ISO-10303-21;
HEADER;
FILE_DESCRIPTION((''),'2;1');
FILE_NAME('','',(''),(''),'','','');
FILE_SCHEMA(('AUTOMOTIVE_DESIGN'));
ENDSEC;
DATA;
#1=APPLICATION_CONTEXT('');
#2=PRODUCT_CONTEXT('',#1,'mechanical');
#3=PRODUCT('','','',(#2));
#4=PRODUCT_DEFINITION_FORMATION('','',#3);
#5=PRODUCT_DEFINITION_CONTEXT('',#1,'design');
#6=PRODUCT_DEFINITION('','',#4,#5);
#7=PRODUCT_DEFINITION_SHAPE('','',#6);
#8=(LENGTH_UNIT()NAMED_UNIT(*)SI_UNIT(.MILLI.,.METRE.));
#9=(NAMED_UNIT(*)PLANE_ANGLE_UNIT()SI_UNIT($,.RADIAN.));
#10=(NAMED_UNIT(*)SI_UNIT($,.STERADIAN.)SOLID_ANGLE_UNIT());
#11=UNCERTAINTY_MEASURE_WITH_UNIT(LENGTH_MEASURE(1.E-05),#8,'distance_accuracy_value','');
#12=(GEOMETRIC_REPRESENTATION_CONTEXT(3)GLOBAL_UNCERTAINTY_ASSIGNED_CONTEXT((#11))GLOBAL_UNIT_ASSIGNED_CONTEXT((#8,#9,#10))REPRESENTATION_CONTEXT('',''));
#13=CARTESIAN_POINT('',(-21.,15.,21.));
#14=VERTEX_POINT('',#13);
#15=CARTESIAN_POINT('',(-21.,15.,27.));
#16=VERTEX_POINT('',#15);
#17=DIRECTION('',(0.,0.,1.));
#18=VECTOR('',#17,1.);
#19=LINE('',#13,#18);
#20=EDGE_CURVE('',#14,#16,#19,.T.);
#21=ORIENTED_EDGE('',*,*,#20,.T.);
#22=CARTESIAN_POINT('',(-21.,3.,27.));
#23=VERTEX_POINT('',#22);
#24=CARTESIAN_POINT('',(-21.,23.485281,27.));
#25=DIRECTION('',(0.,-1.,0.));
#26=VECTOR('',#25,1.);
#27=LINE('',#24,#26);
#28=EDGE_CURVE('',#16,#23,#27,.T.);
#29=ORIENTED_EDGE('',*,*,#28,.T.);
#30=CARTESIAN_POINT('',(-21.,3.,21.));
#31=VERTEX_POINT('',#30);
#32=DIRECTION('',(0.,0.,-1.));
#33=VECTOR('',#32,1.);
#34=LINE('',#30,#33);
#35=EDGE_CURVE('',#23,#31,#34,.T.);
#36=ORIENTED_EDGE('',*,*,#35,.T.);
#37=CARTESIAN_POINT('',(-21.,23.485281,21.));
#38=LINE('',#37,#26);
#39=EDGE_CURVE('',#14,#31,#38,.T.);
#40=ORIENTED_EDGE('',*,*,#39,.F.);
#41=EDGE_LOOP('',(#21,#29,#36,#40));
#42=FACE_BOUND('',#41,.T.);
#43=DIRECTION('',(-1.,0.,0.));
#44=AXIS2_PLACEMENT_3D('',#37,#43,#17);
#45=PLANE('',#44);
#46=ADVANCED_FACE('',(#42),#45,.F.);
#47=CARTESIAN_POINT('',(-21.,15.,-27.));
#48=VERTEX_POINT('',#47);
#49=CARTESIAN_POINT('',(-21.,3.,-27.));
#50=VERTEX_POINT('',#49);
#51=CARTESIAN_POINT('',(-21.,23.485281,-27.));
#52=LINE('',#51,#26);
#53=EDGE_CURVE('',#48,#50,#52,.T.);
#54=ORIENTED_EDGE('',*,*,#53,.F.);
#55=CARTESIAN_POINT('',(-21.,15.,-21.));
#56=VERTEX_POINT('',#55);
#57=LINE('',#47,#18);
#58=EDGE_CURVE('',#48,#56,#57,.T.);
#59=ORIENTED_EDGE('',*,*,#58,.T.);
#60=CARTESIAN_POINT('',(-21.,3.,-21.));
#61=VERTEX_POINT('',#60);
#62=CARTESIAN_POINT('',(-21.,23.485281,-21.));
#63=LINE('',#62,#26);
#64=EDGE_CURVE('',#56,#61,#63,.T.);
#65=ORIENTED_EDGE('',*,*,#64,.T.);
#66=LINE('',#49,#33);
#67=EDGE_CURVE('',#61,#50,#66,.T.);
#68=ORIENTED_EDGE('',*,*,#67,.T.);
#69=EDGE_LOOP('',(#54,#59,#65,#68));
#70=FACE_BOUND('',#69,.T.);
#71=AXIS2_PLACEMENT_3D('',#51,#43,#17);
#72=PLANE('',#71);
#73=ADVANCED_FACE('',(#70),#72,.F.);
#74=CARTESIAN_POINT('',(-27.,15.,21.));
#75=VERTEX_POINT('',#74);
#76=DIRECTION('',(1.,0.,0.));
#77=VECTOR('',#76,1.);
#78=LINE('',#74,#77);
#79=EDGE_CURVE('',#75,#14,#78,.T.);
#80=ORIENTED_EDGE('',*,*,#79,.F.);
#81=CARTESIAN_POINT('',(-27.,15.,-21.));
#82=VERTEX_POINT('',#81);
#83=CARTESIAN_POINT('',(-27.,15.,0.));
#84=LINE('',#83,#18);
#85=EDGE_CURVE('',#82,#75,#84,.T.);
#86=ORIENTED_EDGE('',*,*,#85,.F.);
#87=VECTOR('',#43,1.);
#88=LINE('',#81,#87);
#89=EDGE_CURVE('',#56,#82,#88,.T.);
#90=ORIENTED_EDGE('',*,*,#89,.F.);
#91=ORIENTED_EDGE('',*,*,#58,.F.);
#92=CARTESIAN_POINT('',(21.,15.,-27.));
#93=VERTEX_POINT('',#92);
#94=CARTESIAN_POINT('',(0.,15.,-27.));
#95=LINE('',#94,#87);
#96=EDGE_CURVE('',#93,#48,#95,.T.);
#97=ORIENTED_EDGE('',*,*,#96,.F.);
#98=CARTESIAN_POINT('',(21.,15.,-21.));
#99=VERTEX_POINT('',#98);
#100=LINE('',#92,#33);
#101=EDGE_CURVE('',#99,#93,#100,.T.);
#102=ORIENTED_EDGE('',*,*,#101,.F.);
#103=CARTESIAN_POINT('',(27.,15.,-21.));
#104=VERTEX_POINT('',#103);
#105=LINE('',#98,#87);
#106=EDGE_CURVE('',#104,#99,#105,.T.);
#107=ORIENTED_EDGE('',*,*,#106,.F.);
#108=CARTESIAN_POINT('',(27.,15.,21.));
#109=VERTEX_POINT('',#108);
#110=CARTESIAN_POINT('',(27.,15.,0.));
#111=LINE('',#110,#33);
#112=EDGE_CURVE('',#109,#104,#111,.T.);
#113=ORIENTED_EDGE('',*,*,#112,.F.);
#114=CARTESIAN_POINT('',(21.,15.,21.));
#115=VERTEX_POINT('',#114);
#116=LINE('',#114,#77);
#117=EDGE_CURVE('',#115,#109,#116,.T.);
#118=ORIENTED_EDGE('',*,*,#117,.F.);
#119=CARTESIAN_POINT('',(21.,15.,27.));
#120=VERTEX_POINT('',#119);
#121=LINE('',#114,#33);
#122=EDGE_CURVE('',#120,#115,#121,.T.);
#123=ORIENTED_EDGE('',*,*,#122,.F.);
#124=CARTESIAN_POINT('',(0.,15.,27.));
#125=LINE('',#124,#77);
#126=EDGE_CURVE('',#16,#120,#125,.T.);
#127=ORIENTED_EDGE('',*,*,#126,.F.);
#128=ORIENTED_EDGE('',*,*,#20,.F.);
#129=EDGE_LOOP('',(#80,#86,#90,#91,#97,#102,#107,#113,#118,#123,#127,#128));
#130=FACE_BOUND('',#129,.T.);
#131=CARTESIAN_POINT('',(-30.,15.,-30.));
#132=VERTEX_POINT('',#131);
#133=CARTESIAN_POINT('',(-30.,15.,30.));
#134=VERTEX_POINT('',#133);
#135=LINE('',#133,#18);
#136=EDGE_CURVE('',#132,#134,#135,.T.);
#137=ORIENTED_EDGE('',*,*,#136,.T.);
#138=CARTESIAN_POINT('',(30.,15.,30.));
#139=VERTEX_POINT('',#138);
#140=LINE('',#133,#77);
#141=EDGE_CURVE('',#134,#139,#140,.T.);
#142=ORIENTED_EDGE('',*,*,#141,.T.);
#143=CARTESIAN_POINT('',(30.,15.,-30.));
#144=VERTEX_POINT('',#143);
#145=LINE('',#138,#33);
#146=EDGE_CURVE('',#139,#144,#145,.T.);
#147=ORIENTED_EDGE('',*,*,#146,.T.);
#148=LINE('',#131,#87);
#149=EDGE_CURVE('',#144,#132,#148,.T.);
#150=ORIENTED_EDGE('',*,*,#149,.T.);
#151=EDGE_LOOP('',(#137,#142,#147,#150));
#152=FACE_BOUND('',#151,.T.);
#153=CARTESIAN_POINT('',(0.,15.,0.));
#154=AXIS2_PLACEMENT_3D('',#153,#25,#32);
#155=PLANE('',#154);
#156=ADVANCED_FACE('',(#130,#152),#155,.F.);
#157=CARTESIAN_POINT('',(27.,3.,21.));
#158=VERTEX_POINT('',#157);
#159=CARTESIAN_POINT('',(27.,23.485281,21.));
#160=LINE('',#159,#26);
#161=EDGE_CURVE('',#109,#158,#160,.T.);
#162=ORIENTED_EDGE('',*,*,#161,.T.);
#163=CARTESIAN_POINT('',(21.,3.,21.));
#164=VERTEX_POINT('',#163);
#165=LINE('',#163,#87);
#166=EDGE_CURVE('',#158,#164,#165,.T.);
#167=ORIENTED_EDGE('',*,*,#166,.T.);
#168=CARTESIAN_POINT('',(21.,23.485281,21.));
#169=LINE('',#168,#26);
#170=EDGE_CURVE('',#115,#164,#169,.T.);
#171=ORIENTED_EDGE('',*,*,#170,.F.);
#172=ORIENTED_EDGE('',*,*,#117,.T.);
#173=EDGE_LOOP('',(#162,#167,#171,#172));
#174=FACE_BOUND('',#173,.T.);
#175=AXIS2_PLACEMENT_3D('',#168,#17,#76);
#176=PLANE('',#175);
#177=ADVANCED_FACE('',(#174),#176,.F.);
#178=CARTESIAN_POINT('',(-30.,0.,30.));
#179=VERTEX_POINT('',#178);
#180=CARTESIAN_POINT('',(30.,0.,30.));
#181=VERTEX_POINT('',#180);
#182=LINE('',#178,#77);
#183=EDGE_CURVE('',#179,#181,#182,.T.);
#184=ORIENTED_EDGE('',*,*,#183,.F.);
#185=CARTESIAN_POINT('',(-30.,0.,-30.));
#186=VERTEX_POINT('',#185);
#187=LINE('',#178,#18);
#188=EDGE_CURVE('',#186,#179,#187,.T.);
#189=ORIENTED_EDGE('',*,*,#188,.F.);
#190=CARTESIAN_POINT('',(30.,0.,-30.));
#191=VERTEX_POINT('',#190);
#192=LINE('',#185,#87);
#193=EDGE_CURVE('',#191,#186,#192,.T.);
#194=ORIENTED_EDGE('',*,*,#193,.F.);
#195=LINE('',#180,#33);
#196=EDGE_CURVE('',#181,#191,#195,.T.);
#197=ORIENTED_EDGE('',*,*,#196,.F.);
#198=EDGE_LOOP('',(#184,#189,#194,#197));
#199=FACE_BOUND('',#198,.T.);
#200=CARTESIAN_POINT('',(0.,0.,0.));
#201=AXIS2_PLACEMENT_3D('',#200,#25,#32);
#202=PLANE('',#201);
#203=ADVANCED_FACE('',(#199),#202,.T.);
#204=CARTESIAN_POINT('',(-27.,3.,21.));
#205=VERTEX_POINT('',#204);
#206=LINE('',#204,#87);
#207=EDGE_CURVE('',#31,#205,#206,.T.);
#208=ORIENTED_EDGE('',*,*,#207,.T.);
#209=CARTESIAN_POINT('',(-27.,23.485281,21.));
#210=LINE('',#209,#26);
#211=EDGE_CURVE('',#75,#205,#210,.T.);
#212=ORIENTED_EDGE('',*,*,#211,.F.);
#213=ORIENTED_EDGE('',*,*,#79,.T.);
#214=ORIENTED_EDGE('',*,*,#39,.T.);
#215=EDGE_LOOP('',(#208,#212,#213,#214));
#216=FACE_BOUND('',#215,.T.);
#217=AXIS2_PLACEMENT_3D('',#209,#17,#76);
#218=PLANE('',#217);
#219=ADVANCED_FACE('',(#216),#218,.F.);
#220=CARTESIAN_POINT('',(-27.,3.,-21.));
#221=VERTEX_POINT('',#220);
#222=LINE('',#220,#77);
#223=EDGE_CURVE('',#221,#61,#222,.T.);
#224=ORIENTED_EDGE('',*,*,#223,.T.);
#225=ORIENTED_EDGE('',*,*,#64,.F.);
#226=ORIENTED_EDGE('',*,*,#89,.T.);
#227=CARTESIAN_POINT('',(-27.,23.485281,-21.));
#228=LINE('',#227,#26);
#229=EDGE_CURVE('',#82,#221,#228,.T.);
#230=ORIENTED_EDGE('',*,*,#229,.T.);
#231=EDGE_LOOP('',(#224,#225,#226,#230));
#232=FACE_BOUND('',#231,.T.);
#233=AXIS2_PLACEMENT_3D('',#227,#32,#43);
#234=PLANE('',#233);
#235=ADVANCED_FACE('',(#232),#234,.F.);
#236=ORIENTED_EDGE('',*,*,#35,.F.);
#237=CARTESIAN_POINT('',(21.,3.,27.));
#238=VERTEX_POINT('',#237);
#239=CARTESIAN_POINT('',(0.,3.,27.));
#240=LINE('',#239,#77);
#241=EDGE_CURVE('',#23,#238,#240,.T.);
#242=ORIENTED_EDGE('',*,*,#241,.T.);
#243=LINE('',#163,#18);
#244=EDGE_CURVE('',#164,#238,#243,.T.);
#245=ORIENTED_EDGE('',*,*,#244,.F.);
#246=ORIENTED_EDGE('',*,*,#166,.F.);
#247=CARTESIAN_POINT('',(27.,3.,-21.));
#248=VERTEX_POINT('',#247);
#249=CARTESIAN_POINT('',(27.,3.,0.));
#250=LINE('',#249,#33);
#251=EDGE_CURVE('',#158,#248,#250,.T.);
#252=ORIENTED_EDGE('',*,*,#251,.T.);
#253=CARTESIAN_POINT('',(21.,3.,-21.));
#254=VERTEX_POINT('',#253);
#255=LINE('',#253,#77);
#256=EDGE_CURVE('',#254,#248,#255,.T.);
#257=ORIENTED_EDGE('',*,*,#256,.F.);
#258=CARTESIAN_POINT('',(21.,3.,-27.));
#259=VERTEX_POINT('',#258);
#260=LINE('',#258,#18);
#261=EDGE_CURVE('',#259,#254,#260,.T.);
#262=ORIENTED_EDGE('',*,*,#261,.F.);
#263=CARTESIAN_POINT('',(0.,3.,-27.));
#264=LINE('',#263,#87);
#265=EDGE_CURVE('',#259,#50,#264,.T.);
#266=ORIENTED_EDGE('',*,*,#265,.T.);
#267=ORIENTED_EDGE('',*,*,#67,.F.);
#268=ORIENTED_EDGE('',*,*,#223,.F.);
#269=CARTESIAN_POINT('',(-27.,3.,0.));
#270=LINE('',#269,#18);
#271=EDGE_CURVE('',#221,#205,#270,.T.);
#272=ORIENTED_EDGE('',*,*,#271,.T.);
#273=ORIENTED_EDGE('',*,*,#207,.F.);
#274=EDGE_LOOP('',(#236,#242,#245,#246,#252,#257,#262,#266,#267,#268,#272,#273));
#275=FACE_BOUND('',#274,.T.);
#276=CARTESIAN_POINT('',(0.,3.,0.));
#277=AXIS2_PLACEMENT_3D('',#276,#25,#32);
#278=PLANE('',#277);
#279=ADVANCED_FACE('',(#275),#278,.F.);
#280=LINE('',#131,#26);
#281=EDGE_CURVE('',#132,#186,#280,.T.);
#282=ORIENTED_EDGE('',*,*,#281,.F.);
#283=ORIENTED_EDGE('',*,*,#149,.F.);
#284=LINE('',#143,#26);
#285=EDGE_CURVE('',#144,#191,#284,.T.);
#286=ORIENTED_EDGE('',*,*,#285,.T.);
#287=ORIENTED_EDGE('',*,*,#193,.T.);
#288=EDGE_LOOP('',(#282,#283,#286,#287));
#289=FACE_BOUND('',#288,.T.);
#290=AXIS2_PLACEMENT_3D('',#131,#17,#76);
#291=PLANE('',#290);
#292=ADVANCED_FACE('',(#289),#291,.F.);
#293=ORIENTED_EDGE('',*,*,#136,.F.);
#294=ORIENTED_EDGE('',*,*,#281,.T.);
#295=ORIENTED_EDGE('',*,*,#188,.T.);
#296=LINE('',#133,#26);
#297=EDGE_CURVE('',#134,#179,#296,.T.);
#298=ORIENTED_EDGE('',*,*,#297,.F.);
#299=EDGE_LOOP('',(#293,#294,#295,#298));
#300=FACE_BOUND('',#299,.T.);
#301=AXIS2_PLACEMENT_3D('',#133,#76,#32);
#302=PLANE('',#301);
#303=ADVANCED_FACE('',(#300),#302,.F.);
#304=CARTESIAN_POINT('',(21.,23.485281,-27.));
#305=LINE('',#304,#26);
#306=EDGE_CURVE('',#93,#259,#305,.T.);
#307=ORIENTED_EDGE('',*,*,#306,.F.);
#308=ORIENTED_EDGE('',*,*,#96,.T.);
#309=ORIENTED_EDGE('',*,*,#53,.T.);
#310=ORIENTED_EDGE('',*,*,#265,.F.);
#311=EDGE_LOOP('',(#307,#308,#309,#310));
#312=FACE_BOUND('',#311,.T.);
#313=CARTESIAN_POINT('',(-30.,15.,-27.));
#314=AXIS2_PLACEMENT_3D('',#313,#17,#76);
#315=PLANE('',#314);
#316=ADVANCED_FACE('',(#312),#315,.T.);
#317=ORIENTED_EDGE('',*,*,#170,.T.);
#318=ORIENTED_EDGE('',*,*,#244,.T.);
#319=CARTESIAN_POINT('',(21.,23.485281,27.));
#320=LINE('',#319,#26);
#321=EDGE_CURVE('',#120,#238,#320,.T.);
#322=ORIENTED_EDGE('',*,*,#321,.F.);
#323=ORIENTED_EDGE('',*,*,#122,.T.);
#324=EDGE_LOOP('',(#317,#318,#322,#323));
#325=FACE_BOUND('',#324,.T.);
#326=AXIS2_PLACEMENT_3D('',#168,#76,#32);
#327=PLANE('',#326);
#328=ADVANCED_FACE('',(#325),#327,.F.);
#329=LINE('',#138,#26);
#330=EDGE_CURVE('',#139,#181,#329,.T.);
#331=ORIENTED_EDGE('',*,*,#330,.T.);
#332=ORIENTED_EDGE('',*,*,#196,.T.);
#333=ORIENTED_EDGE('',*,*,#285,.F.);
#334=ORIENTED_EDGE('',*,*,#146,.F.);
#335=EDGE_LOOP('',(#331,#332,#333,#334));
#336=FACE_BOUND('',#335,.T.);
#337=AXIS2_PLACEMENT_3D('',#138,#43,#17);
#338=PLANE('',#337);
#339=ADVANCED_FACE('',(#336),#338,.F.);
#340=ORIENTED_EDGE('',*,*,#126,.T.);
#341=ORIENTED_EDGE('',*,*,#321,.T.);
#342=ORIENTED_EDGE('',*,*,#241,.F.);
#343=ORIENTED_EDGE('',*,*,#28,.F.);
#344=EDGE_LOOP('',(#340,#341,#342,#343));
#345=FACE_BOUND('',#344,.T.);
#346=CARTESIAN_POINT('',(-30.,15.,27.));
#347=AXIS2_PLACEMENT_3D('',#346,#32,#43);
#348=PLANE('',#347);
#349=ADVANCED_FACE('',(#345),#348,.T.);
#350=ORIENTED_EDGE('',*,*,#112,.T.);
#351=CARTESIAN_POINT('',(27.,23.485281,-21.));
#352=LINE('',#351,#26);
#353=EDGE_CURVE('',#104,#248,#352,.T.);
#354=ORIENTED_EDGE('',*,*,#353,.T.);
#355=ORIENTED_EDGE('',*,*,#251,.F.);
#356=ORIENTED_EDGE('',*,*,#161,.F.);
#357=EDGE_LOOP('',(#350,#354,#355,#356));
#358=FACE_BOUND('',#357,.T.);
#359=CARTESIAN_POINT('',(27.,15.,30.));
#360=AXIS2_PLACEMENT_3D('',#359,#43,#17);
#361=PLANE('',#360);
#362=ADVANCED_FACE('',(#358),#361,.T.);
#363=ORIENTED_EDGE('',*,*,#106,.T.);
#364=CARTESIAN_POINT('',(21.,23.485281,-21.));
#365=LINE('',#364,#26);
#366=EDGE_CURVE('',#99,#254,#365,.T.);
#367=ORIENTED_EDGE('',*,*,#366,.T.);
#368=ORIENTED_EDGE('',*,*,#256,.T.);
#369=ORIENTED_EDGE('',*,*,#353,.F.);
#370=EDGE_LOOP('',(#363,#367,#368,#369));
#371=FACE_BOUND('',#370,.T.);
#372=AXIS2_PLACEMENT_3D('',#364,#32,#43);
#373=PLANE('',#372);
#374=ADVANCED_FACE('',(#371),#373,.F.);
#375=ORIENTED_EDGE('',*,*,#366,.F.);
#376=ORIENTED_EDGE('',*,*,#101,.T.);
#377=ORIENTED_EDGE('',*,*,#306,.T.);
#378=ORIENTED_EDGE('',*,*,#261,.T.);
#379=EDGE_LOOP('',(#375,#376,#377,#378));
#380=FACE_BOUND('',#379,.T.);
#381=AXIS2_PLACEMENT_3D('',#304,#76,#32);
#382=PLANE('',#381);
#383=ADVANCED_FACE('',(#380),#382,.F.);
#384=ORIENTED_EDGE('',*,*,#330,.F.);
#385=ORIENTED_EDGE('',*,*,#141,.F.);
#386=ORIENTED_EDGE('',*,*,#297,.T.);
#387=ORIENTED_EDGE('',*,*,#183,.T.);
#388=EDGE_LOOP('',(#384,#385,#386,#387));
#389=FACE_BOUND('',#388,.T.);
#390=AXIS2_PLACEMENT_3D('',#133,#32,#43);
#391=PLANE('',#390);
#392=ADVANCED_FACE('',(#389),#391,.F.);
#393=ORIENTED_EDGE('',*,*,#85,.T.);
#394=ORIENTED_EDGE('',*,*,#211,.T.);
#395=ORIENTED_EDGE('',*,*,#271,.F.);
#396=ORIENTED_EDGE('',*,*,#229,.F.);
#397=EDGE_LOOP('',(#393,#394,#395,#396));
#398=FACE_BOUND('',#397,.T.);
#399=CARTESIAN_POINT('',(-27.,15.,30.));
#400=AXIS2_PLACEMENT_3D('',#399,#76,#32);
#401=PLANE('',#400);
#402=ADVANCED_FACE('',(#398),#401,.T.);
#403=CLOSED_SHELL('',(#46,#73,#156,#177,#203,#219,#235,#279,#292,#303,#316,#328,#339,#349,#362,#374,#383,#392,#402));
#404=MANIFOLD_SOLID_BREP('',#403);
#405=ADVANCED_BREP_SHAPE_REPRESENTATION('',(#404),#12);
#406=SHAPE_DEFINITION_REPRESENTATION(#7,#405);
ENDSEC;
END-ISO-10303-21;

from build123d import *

# Parameters (mm, degrees)
SKETCH1_W            = 60
SKETCH1_H            = 60
BOSS_EXTRUDE1_DEPTH  = 15
SHELL1_T             = -3
SKETCH2_W            = 6
SKETCH2_H            = 6
BOSS_EXTRUDE2_DEPTH  = 12
LPATTERN1_COUNT      = 2
LPATTERN1_PITCH      = 48
LPATTERN1_COUNT_DIR2 = 2
LPATTERN1_PITCH_DIR2 = 48


with BuildPart() as part:
    # Sketch1 → Boss-Extrude1 (new body)
    with BuildSketch(Plane(origin=(0, 0, 0), x_dir=(1, 0, 0), z_dir=(0, 1, 0))):
        Rectangle(SKETCH1_W, SKETCH1_H)
    extrude(amount=BOSS_EXTRUDE1_DEPTH)

    # Shell1
    shell1_openings = [part.faces().sort_by_distance(p)[0] for p in [
        (0, 15, 0),
    ]]
    offset(amount=SHELL1_T, openings=shell1_openings, kind=Kind.INTERSECTION)

    # Sketch2 → Boss-Extrude2 (add)
    with BuildSketch(Plane(origin=(0, 3, 0), x_dir=(1, 0, 0), z_dir=(0, 1, 0))):
        with Locations((-24, 24)):
            Rectangle(SKETCH2_W, SKETCH2_H)
    boss_extrude2 = extrude(amount=BOSS_EXTRUDE2_DEPTH)

    # LPattern1: Boss-Extrude2 2 × 2
    with Locations(*[(i * LPATTERN1_PITCH, 0, j * LPATTERN1_PITCH_DIR2) for i in range(LPATTERN1_COUNT) for j in range(LPATTERN1_COUNT_DIR2) if (i, j) != (0, 0)]):
        add(boss_extrude2)


solid = part.part
